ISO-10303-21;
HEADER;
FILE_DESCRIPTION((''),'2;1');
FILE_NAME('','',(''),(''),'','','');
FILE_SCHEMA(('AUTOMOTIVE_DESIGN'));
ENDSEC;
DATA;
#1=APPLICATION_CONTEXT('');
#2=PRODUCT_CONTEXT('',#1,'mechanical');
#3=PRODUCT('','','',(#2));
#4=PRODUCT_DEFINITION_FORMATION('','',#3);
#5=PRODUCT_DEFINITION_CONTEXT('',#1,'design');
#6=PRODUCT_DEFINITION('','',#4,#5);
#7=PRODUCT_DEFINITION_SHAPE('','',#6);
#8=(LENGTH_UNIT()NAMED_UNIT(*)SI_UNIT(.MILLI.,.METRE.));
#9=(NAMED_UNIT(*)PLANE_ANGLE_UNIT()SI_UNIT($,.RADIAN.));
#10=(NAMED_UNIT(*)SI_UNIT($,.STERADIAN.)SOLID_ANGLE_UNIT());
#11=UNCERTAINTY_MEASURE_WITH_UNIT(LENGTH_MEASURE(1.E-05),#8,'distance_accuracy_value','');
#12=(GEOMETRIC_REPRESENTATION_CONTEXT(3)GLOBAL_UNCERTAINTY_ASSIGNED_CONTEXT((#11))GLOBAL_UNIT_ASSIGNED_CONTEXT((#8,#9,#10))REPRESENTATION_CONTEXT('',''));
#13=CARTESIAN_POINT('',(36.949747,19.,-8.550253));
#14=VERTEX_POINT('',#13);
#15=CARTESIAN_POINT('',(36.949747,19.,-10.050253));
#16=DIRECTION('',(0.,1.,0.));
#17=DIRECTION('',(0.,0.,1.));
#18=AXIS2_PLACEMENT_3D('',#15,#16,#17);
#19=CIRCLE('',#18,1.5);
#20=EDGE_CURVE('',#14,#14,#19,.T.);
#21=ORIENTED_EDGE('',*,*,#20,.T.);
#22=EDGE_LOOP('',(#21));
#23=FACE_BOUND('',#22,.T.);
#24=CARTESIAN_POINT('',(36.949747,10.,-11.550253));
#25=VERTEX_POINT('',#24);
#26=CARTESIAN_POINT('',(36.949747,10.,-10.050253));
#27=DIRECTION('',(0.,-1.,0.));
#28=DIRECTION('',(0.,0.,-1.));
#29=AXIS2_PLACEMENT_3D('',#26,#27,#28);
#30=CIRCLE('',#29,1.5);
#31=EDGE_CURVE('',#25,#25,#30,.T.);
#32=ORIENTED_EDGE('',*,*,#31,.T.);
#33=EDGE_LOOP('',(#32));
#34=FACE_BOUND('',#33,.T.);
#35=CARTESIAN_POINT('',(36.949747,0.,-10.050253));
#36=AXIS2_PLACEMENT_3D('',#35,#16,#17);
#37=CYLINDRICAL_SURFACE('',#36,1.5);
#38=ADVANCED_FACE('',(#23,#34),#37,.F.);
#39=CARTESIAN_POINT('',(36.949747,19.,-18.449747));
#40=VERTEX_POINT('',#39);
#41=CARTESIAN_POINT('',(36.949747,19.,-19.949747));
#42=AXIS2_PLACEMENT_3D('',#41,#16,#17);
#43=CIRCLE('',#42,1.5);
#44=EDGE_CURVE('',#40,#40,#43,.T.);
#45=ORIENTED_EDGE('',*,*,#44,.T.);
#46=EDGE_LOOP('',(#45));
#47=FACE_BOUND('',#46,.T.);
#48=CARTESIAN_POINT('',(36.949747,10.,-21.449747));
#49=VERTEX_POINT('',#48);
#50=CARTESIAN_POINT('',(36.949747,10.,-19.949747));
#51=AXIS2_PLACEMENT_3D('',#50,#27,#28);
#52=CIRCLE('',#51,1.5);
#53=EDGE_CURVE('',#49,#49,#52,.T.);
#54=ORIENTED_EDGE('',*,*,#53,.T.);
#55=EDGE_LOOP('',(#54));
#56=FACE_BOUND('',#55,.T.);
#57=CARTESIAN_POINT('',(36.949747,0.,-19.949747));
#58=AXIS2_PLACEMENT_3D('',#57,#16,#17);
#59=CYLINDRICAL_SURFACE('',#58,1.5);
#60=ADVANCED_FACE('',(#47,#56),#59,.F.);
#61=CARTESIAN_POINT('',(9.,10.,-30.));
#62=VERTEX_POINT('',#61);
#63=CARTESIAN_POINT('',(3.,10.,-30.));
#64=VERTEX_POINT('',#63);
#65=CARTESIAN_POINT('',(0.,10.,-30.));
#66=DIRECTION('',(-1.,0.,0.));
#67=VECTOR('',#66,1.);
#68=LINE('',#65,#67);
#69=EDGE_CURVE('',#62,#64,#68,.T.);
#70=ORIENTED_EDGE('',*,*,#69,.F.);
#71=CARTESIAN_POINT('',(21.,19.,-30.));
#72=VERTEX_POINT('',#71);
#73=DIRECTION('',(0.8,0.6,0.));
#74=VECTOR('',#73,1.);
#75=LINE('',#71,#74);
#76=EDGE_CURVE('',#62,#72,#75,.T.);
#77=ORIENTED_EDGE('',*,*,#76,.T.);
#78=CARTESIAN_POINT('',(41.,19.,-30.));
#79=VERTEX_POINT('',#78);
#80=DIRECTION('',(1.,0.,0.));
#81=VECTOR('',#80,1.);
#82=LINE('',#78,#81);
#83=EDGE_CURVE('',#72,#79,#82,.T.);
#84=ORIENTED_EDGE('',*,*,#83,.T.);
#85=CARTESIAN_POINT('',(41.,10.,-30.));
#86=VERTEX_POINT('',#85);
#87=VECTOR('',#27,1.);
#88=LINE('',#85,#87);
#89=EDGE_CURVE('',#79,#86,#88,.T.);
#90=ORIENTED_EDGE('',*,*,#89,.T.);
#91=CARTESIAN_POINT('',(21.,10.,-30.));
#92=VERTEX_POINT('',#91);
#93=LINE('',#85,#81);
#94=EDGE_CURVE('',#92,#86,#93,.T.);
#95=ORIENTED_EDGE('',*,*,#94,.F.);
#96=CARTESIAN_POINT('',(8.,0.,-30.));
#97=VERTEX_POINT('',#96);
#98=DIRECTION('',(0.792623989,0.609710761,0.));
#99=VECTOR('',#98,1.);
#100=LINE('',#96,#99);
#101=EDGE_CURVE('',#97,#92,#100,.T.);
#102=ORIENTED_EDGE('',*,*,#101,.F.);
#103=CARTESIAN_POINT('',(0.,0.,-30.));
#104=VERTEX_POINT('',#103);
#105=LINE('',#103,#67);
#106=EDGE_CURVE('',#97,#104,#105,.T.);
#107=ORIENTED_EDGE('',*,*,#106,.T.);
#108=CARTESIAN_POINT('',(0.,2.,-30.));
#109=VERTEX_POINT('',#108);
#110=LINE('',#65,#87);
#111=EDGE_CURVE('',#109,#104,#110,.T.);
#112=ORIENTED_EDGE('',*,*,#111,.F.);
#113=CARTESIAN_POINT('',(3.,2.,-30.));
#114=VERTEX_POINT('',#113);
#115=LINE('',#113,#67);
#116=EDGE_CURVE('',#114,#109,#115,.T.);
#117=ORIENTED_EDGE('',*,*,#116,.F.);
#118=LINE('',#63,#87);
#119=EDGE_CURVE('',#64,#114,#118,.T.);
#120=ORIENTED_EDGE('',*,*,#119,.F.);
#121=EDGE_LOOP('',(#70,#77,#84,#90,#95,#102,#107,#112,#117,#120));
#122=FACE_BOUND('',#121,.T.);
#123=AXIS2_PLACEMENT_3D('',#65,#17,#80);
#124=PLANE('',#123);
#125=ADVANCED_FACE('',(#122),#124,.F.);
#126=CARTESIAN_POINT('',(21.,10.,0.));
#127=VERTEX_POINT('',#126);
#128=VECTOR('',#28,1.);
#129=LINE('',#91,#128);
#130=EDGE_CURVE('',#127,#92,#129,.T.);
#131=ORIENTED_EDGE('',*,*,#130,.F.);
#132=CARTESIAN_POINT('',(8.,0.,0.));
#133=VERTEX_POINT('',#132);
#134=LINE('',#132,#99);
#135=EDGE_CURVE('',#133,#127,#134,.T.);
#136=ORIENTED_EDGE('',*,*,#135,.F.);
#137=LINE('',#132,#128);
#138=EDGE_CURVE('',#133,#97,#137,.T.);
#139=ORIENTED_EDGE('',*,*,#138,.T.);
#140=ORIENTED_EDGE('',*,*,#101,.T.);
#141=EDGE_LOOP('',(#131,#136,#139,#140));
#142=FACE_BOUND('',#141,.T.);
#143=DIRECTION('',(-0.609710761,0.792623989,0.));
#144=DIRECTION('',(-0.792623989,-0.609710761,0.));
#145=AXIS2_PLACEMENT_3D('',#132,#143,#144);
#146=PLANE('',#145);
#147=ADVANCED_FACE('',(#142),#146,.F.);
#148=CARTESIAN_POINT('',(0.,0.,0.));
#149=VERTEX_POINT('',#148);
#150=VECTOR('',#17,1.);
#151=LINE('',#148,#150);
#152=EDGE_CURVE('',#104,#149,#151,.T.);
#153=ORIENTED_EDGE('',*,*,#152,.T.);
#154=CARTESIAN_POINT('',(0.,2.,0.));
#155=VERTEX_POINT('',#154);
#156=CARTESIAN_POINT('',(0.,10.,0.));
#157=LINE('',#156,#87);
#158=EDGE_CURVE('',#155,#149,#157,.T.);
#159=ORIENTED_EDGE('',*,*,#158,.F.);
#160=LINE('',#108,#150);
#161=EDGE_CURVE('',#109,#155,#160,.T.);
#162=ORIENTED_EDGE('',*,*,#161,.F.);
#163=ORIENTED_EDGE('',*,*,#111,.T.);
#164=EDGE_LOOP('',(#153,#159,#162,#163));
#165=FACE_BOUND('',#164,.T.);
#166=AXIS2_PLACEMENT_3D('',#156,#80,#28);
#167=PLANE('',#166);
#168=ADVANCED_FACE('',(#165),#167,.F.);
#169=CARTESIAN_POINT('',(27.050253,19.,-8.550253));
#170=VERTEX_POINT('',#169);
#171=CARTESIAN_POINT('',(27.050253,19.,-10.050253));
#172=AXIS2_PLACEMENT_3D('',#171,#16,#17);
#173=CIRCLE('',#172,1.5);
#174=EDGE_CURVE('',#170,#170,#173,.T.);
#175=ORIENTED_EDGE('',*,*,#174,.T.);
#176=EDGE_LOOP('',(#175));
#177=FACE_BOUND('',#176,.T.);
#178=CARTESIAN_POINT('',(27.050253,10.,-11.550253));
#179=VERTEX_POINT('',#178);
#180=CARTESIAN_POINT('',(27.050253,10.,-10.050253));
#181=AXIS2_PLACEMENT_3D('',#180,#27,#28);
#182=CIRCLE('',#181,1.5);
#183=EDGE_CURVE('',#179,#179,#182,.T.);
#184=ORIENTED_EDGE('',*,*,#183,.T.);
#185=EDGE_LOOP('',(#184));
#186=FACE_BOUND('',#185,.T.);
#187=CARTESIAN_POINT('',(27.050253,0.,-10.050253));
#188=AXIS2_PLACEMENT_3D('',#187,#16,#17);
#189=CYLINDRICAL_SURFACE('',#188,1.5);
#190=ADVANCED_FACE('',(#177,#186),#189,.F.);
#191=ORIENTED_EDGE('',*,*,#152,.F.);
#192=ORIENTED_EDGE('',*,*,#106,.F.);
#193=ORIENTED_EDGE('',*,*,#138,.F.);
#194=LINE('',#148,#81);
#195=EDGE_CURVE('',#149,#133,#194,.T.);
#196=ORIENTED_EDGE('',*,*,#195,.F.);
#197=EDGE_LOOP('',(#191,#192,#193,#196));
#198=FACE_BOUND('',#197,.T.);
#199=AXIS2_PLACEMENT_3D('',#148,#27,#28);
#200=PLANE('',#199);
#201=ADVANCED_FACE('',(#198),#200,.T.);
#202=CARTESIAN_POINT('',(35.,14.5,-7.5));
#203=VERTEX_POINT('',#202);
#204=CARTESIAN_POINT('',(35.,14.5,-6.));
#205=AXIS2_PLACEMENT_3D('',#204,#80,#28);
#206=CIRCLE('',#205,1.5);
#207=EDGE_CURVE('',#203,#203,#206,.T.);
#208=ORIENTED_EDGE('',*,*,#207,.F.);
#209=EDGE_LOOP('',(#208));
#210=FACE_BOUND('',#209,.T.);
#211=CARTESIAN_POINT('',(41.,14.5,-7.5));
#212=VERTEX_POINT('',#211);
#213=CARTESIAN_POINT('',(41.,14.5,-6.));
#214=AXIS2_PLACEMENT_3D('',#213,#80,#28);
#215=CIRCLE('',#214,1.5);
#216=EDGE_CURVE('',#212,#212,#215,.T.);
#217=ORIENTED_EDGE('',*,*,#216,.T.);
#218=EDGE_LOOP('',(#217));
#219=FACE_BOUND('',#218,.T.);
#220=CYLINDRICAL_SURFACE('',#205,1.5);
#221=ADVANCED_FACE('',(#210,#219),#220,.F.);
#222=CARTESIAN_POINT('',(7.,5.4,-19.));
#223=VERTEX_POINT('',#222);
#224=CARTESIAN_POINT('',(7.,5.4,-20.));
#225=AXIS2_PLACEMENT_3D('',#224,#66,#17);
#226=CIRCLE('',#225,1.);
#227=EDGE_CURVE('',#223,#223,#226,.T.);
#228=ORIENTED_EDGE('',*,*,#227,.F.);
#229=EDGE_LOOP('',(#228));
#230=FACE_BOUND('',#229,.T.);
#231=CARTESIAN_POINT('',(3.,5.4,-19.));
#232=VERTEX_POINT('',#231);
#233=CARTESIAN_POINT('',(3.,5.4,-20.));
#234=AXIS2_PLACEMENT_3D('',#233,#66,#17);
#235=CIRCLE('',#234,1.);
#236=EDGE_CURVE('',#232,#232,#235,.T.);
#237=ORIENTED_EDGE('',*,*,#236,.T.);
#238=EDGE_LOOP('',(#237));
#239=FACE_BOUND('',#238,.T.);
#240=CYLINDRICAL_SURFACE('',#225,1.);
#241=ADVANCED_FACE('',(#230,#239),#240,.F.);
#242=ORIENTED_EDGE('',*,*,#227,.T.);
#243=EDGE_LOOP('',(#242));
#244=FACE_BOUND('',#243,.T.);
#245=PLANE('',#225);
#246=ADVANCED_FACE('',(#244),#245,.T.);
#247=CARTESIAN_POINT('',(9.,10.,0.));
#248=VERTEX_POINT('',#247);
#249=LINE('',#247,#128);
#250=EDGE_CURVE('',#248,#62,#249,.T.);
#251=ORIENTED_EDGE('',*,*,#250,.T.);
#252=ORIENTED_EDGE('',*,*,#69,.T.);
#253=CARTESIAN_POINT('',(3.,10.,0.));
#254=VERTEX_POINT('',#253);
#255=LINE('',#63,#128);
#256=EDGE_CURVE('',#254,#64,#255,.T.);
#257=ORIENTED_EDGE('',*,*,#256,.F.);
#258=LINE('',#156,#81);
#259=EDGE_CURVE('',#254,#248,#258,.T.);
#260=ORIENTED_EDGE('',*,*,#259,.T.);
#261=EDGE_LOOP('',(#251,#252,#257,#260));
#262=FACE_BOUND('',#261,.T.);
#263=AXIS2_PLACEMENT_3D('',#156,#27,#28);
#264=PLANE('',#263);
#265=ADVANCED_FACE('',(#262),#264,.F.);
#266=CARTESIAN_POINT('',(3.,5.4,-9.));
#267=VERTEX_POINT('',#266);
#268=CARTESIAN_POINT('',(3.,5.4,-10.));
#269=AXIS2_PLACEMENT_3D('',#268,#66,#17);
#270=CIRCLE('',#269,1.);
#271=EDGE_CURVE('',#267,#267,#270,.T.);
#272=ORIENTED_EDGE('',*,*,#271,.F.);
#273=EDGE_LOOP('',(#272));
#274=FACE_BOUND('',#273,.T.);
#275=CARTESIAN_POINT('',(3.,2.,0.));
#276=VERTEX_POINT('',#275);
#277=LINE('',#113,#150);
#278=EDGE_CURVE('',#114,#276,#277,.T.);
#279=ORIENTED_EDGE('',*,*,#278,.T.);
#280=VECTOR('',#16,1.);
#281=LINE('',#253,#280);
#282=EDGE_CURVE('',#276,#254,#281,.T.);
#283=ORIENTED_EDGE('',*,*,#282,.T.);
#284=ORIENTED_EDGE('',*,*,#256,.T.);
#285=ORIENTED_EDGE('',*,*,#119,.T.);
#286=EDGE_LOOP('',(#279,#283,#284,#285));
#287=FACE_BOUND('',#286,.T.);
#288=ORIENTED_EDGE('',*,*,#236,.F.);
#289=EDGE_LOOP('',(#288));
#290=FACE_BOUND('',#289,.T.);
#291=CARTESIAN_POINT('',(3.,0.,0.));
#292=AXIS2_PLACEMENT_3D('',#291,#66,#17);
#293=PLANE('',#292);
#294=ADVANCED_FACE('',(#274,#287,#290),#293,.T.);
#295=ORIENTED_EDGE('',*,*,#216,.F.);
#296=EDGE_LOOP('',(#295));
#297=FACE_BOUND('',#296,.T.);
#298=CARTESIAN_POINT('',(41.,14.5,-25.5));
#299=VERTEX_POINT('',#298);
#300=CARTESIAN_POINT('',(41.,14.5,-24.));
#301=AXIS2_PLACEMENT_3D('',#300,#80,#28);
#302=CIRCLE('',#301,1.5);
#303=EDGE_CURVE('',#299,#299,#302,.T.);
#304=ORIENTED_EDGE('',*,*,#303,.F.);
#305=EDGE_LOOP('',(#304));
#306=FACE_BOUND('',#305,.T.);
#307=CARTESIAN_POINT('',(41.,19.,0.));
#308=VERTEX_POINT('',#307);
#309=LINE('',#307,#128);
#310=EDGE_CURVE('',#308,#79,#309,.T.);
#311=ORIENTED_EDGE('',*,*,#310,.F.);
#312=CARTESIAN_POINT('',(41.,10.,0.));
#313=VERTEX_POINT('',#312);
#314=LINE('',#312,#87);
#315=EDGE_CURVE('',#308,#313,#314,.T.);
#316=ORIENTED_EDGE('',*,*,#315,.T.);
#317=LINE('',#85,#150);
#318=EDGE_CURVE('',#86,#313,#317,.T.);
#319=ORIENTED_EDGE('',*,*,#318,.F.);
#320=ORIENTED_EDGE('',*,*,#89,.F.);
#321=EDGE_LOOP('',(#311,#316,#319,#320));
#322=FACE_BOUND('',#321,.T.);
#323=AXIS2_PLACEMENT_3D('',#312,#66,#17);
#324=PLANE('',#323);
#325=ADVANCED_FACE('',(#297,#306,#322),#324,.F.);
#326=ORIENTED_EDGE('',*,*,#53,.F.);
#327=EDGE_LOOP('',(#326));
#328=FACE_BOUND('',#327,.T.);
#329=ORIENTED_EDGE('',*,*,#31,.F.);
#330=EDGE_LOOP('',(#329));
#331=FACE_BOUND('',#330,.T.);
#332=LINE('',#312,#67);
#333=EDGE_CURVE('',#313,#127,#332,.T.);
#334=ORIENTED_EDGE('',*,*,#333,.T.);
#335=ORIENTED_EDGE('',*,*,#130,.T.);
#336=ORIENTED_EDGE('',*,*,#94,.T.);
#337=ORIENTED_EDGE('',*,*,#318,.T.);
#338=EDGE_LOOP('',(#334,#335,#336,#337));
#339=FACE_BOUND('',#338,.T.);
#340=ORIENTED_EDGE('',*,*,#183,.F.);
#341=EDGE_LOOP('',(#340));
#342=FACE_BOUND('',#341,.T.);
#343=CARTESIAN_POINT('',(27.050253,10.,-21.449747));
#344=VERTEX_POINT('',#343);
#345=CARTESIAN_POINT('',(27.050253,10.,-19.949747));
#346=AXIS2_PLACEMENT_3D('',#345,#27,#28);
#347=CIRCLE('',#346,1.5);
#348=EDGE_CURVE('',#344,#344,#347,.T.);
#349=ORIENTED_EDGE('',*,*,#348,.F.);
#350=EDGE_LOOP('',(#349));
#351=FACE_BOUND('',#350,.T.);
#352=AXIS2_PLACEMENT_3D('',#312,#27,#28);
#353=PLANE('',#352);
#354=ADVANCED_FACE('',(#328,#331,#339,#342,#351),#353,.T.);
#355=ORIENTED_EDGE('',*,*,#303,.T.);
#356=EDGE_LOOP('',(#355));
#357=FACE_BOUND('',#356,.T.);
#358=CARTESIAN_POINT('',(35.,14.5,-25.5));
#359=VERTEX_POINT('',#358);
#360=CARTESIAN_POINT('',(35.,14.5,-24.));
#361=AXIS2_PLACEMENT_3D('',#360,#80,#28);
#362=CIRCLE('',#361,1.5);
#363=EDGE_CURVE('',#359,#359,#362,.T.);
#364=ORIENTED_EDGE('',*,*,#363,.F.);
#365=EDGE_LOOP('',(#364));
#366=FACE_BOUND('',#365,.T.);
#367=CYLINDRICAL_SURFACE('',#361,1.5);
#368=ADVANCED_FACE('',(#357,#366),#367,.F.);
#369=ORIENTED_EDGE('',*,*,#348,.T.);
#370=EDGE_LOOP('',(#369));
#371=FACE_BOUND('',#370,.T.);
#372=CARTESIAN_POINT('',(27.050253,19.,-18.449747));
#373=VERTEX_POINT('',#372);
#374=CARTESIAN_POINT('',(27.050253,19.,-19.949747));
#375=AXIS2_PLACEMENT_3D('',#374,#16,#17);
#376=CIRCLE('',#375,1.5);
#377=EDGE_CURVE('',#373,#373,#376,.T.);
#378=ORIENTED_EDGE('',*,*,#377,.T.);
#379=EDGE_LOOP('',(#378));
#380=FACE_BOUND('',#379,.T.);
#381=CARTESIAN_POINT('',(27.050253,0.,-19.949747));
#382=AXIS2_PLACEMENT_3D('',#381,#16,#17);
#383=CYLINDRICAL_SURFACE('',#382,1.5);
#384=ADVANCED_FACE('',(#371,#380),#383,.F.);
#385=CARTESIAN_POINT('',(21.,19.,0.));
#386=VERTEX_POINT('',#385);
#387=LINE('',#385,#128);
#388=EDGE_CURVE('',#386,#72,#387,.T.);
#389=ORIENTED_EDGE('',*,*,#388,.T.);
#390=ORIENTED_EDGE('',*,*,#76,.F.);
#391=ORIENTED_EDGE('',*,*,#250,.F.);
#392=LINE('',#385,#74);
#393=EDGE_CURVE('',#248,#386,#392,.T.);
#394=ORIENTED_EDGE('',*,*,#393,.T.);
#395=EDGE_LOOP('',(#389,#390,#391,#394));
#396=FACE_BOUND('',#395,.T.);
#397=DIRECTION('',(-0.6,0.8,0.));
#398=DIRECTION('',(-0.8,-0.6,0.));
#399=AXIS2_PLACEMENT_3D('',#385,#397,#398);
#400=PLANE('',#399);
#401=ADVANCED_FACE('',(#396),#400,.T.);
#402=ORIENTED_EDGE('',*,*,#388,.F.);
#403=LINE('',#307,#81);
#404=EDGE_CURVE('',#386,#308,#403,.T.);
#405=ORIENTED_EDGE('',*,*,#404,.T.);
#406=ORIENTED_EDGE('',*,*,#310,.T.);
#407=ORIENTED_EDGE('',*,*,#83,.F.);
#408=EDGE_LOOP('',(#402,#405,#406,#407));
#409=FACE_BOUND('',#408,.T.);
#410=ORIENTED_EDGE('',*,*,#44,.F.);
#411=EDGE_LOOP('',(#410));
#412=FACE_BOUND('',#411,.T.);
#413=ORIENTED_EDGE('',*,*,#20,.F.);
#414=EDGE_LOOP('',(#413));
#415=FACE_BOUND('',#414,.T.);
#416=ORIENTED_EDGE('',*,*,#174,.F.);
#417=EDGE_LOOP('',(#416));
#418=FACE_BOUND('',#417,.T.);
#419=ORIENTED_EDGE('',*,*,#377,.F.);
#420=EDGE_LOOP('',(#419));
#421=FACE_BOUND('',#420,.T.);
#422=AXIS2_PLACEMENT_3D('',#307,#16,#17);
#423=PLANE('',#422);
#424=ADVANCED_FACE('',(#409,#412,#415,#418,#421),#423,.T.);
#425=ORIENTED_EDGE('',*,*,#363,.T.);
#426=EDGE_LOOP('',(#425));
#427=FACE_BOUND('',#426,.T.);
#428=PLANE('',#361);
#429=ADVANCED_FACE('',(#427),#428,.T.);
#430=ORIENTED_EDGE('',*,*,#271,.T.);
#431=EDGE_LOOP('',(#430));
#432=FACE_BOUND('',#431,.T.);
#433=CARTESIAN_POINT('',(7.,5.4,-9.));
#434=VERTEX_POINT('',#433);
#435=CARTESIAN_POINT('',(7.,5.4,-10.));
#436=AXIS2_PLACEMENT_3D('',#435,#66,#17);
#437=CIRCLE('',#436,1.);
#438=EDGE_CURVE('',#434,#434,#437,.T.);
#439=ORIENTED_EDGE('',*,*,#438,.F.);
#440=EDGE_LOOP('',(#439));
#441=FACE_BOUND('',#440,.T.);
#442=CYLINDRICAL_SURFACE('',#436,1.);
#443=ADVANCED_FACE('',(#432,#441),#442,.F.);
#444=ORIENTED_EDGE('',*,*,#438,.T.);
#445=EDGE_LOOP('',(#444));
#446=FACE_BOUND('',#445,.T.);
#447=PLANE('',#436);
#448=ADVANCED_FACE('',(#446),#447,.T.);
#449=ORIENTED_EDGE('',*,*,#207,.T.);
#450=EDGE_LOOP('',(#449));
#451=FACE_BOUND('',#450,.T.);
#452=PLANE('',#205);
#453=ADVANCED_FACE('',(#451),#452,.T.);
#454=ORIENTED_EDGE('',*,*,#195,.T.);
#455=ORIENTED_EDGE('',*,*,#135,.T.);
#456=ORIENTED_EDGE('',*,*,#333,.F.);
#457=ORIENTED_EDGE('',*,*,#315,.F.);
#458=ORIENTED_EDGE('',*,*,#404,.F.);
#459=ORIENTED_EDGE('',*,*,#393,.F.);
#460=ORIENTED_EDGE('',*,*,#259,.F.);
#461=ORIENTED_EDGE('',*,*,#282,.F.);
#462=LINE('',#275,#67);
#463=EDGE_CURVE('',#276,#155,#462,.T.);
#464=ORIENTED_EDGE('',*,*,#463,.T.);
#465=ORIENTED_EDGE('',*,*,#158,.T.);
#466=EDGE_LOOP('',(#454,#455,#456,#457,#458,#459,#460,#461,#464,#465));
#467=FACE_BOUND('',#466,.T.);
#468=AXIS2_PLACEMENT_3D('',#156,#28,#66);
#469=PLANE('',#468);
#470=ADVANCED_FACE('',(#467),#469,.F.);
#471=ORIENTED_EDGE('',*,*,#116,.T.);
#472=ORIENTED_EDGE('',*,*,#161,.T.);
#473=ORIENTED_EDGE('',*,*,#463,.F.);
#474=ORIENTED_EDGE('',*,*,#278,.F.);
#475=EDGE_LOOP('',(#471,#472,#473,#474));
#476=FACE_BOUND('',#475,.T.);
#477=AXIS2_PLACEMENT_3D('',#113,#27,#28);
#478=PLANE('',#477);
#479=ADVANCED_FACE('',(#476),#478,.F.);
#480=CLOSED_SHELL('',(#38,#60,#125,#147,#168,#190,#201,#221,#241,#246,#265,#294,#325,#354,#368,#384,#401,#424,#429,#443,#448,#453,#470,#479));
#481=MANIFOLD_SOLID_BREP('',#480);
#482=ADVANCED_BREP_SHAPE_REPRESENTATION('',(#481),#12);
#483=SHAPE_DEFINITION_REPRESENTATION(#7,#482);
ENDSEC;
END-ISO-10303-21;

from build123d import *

# Parameters (mm, degrees)
SKETCH_1_W          = 41
SKETCH_1_H          = 30
SKETCH_1_R          = 1.5
EXTRUDE_1_DEPTH     = 10
SKETCH_3_W          = 30
SKETCH_3_H          = 8
CUT_EXTRUDE_2_DEPTH = 3
SKETCH_4_R          = 1
CUT_EXTRUDE_3_DEPTH = 7
EXTRUDE_3_DEPTH     = 30
SKETCH_6_W          = 20
SKETCH_6_H          = 30
CUT_EXTRUDE_5_DEPTH = 10
SKETCH_2_R          = 1.5
CUT_EXTRUDE_1_DEPTH = 6
SKETCH_8_R          = 1.5
CUT_EXTRUDE_6_DEPTH = 55.240206489
CUT_EXTRUDE_7_DEPTH = 55.240206489


with BuildPart() as part:
    # Эскиз1 → Бобышка-Вытянуть1 (new body)
    with BuildSketch(Plane(origin=(0, 0, 0), x_dir=(1, 0, 0), z_dir=(0, 1, 0))):
        with Locations((20.5, 15)):
            Rectangle(SKETCH_1_W, SKETCH_1_H)
        with Locations(Location((36.949747468, 19.949747468, 0), (0, 0, 270))):
            Circle(SKETCH_1_R, mode=Mode.SUBTRACT)
        with Locations(Location((27.050252532, 19.949747468, 0), (0, 0, 270))):
            Circle(SKETCH_1_R, mode=Mode.SUBTRACT)
        with Locations(Location((36.949747468, 10.050252532, 0), (0, 0, 270))):
            Circle(SKETCH_1_R, mode=Mode.SUBTRACT)
        with Locations(Location((27.050252532, 10.050252532, 0), (0, 0, 270))):
            Circle(SKETCH_1_R, mode=Mode.SUBTRACT)
    extrude(amount=EXTRUDE_1_DEPTH)

    # Эскиз3 → Вырез-Вытянуть2 (cut)
    with BuildSketch(Plane.ZY):
        with Locations((-15, 6)):
            Rectangle(SKETCH_3_W, SKETCH_3_H)
    extrude(amount=-CUT_EXTRUDE_2_DEPTH, mode=Mode.SUBTRACT)

    # Эскиз4 → Вырез-Вытянуть3 (cut)
    with BuildSketch(Plane.ZY):
        with Locations((-20, 5.4)):
            Circle(SKETCH_4_R)
        with Locations((-10, 5.4)):
            Circle(SKETCH_4_R)
    extrude(amount=-CUT_EXTRUDE_3_DEPTH, mode=Mode.SUBTRACT)

    # Эскиз7 → Бобышка-Вытянуть3 (add)
    with BuildSketch(Plane(origin=(0, 0, -30), x_dir=(-1, 0, 0), z_dir=(0, 0, -1))):
        Polygon((-41, 10), (-41, 19), (-21, 19), (-9, 10), align=None)
    extrude(amount=-EXTRUDE_3_DEPTH)

    # Эскиз6 → Вырез-Вытянуть5 (cut)
    with BuildSketch(Plane.XZ):
        with Locations((31, -15)):
            Rectangle(SKETCH_6_W, SKETCH_6_H)
    extrude(amount=-CUT_EXTRUDE_5_DEPTH, mode=Mode.SUBTRACT)

    # Эскиз2 → Вырез-Вытянуть1 (cut)
    with BuildSketch(Plane(origin=(41, 0, 0), x_dir=(0, 0, -1), z_dir=(1, 0, 0))):
        with Locations((6, 14.5)):
            Circle(SKETCH_2_R)
        with Locations((24, 14.5)):
            Circle(SKETCH_2_R)
    extrude(amount=-CUT_EXTRUDE_1_DEPTH, mode=Mode.SUBTRACT)

    # Эскиз8 → Вырез-Вытянуть6 (cut, through all)
    with BuildSketch(Plane(origin=(0, 19, 0), x_dir=(1, 0, 0), z_dir=(0, 1, 0))):
        with Locations(Location((36.949747468, 19.949747468, 0), (0, 0, 270))):
            Circle(SKETCH_8_R)
        with Locations(Location((36.949747468, 10.050252532, 0), (0, 0, 270))):
            Circle(SKETCH_8_R)
        with Locations(Location((27.050252532, 10.050252532, 0), (0, 0, 270))):
            Circle(SKETCH_8_R)
        with Locations(Location((27.050252532, 19.949747468, 0), (0, 0, 270))):
            Circle(SKETCH_8_R)
    extrude(amount=-CUT_EXTRUDE_6_DEPTH, mode=Mode.SUBTRACT)

    # Эскиз9 → Вырез-Вытянуть7 (cut, through all)
    with BuildSketch(Plane(origin=(0, 0, -30), x_dir=(-1, 0, 0), z_dir=(0, 0, -1))):
        Polygon((-21, 10), (-21, 0), (-8, 0), align=None)
    extrude(amount=-CUT_EXTRUDE_7_DEPTH, mode=Mode.SUBTRACT)


solid = part.part
